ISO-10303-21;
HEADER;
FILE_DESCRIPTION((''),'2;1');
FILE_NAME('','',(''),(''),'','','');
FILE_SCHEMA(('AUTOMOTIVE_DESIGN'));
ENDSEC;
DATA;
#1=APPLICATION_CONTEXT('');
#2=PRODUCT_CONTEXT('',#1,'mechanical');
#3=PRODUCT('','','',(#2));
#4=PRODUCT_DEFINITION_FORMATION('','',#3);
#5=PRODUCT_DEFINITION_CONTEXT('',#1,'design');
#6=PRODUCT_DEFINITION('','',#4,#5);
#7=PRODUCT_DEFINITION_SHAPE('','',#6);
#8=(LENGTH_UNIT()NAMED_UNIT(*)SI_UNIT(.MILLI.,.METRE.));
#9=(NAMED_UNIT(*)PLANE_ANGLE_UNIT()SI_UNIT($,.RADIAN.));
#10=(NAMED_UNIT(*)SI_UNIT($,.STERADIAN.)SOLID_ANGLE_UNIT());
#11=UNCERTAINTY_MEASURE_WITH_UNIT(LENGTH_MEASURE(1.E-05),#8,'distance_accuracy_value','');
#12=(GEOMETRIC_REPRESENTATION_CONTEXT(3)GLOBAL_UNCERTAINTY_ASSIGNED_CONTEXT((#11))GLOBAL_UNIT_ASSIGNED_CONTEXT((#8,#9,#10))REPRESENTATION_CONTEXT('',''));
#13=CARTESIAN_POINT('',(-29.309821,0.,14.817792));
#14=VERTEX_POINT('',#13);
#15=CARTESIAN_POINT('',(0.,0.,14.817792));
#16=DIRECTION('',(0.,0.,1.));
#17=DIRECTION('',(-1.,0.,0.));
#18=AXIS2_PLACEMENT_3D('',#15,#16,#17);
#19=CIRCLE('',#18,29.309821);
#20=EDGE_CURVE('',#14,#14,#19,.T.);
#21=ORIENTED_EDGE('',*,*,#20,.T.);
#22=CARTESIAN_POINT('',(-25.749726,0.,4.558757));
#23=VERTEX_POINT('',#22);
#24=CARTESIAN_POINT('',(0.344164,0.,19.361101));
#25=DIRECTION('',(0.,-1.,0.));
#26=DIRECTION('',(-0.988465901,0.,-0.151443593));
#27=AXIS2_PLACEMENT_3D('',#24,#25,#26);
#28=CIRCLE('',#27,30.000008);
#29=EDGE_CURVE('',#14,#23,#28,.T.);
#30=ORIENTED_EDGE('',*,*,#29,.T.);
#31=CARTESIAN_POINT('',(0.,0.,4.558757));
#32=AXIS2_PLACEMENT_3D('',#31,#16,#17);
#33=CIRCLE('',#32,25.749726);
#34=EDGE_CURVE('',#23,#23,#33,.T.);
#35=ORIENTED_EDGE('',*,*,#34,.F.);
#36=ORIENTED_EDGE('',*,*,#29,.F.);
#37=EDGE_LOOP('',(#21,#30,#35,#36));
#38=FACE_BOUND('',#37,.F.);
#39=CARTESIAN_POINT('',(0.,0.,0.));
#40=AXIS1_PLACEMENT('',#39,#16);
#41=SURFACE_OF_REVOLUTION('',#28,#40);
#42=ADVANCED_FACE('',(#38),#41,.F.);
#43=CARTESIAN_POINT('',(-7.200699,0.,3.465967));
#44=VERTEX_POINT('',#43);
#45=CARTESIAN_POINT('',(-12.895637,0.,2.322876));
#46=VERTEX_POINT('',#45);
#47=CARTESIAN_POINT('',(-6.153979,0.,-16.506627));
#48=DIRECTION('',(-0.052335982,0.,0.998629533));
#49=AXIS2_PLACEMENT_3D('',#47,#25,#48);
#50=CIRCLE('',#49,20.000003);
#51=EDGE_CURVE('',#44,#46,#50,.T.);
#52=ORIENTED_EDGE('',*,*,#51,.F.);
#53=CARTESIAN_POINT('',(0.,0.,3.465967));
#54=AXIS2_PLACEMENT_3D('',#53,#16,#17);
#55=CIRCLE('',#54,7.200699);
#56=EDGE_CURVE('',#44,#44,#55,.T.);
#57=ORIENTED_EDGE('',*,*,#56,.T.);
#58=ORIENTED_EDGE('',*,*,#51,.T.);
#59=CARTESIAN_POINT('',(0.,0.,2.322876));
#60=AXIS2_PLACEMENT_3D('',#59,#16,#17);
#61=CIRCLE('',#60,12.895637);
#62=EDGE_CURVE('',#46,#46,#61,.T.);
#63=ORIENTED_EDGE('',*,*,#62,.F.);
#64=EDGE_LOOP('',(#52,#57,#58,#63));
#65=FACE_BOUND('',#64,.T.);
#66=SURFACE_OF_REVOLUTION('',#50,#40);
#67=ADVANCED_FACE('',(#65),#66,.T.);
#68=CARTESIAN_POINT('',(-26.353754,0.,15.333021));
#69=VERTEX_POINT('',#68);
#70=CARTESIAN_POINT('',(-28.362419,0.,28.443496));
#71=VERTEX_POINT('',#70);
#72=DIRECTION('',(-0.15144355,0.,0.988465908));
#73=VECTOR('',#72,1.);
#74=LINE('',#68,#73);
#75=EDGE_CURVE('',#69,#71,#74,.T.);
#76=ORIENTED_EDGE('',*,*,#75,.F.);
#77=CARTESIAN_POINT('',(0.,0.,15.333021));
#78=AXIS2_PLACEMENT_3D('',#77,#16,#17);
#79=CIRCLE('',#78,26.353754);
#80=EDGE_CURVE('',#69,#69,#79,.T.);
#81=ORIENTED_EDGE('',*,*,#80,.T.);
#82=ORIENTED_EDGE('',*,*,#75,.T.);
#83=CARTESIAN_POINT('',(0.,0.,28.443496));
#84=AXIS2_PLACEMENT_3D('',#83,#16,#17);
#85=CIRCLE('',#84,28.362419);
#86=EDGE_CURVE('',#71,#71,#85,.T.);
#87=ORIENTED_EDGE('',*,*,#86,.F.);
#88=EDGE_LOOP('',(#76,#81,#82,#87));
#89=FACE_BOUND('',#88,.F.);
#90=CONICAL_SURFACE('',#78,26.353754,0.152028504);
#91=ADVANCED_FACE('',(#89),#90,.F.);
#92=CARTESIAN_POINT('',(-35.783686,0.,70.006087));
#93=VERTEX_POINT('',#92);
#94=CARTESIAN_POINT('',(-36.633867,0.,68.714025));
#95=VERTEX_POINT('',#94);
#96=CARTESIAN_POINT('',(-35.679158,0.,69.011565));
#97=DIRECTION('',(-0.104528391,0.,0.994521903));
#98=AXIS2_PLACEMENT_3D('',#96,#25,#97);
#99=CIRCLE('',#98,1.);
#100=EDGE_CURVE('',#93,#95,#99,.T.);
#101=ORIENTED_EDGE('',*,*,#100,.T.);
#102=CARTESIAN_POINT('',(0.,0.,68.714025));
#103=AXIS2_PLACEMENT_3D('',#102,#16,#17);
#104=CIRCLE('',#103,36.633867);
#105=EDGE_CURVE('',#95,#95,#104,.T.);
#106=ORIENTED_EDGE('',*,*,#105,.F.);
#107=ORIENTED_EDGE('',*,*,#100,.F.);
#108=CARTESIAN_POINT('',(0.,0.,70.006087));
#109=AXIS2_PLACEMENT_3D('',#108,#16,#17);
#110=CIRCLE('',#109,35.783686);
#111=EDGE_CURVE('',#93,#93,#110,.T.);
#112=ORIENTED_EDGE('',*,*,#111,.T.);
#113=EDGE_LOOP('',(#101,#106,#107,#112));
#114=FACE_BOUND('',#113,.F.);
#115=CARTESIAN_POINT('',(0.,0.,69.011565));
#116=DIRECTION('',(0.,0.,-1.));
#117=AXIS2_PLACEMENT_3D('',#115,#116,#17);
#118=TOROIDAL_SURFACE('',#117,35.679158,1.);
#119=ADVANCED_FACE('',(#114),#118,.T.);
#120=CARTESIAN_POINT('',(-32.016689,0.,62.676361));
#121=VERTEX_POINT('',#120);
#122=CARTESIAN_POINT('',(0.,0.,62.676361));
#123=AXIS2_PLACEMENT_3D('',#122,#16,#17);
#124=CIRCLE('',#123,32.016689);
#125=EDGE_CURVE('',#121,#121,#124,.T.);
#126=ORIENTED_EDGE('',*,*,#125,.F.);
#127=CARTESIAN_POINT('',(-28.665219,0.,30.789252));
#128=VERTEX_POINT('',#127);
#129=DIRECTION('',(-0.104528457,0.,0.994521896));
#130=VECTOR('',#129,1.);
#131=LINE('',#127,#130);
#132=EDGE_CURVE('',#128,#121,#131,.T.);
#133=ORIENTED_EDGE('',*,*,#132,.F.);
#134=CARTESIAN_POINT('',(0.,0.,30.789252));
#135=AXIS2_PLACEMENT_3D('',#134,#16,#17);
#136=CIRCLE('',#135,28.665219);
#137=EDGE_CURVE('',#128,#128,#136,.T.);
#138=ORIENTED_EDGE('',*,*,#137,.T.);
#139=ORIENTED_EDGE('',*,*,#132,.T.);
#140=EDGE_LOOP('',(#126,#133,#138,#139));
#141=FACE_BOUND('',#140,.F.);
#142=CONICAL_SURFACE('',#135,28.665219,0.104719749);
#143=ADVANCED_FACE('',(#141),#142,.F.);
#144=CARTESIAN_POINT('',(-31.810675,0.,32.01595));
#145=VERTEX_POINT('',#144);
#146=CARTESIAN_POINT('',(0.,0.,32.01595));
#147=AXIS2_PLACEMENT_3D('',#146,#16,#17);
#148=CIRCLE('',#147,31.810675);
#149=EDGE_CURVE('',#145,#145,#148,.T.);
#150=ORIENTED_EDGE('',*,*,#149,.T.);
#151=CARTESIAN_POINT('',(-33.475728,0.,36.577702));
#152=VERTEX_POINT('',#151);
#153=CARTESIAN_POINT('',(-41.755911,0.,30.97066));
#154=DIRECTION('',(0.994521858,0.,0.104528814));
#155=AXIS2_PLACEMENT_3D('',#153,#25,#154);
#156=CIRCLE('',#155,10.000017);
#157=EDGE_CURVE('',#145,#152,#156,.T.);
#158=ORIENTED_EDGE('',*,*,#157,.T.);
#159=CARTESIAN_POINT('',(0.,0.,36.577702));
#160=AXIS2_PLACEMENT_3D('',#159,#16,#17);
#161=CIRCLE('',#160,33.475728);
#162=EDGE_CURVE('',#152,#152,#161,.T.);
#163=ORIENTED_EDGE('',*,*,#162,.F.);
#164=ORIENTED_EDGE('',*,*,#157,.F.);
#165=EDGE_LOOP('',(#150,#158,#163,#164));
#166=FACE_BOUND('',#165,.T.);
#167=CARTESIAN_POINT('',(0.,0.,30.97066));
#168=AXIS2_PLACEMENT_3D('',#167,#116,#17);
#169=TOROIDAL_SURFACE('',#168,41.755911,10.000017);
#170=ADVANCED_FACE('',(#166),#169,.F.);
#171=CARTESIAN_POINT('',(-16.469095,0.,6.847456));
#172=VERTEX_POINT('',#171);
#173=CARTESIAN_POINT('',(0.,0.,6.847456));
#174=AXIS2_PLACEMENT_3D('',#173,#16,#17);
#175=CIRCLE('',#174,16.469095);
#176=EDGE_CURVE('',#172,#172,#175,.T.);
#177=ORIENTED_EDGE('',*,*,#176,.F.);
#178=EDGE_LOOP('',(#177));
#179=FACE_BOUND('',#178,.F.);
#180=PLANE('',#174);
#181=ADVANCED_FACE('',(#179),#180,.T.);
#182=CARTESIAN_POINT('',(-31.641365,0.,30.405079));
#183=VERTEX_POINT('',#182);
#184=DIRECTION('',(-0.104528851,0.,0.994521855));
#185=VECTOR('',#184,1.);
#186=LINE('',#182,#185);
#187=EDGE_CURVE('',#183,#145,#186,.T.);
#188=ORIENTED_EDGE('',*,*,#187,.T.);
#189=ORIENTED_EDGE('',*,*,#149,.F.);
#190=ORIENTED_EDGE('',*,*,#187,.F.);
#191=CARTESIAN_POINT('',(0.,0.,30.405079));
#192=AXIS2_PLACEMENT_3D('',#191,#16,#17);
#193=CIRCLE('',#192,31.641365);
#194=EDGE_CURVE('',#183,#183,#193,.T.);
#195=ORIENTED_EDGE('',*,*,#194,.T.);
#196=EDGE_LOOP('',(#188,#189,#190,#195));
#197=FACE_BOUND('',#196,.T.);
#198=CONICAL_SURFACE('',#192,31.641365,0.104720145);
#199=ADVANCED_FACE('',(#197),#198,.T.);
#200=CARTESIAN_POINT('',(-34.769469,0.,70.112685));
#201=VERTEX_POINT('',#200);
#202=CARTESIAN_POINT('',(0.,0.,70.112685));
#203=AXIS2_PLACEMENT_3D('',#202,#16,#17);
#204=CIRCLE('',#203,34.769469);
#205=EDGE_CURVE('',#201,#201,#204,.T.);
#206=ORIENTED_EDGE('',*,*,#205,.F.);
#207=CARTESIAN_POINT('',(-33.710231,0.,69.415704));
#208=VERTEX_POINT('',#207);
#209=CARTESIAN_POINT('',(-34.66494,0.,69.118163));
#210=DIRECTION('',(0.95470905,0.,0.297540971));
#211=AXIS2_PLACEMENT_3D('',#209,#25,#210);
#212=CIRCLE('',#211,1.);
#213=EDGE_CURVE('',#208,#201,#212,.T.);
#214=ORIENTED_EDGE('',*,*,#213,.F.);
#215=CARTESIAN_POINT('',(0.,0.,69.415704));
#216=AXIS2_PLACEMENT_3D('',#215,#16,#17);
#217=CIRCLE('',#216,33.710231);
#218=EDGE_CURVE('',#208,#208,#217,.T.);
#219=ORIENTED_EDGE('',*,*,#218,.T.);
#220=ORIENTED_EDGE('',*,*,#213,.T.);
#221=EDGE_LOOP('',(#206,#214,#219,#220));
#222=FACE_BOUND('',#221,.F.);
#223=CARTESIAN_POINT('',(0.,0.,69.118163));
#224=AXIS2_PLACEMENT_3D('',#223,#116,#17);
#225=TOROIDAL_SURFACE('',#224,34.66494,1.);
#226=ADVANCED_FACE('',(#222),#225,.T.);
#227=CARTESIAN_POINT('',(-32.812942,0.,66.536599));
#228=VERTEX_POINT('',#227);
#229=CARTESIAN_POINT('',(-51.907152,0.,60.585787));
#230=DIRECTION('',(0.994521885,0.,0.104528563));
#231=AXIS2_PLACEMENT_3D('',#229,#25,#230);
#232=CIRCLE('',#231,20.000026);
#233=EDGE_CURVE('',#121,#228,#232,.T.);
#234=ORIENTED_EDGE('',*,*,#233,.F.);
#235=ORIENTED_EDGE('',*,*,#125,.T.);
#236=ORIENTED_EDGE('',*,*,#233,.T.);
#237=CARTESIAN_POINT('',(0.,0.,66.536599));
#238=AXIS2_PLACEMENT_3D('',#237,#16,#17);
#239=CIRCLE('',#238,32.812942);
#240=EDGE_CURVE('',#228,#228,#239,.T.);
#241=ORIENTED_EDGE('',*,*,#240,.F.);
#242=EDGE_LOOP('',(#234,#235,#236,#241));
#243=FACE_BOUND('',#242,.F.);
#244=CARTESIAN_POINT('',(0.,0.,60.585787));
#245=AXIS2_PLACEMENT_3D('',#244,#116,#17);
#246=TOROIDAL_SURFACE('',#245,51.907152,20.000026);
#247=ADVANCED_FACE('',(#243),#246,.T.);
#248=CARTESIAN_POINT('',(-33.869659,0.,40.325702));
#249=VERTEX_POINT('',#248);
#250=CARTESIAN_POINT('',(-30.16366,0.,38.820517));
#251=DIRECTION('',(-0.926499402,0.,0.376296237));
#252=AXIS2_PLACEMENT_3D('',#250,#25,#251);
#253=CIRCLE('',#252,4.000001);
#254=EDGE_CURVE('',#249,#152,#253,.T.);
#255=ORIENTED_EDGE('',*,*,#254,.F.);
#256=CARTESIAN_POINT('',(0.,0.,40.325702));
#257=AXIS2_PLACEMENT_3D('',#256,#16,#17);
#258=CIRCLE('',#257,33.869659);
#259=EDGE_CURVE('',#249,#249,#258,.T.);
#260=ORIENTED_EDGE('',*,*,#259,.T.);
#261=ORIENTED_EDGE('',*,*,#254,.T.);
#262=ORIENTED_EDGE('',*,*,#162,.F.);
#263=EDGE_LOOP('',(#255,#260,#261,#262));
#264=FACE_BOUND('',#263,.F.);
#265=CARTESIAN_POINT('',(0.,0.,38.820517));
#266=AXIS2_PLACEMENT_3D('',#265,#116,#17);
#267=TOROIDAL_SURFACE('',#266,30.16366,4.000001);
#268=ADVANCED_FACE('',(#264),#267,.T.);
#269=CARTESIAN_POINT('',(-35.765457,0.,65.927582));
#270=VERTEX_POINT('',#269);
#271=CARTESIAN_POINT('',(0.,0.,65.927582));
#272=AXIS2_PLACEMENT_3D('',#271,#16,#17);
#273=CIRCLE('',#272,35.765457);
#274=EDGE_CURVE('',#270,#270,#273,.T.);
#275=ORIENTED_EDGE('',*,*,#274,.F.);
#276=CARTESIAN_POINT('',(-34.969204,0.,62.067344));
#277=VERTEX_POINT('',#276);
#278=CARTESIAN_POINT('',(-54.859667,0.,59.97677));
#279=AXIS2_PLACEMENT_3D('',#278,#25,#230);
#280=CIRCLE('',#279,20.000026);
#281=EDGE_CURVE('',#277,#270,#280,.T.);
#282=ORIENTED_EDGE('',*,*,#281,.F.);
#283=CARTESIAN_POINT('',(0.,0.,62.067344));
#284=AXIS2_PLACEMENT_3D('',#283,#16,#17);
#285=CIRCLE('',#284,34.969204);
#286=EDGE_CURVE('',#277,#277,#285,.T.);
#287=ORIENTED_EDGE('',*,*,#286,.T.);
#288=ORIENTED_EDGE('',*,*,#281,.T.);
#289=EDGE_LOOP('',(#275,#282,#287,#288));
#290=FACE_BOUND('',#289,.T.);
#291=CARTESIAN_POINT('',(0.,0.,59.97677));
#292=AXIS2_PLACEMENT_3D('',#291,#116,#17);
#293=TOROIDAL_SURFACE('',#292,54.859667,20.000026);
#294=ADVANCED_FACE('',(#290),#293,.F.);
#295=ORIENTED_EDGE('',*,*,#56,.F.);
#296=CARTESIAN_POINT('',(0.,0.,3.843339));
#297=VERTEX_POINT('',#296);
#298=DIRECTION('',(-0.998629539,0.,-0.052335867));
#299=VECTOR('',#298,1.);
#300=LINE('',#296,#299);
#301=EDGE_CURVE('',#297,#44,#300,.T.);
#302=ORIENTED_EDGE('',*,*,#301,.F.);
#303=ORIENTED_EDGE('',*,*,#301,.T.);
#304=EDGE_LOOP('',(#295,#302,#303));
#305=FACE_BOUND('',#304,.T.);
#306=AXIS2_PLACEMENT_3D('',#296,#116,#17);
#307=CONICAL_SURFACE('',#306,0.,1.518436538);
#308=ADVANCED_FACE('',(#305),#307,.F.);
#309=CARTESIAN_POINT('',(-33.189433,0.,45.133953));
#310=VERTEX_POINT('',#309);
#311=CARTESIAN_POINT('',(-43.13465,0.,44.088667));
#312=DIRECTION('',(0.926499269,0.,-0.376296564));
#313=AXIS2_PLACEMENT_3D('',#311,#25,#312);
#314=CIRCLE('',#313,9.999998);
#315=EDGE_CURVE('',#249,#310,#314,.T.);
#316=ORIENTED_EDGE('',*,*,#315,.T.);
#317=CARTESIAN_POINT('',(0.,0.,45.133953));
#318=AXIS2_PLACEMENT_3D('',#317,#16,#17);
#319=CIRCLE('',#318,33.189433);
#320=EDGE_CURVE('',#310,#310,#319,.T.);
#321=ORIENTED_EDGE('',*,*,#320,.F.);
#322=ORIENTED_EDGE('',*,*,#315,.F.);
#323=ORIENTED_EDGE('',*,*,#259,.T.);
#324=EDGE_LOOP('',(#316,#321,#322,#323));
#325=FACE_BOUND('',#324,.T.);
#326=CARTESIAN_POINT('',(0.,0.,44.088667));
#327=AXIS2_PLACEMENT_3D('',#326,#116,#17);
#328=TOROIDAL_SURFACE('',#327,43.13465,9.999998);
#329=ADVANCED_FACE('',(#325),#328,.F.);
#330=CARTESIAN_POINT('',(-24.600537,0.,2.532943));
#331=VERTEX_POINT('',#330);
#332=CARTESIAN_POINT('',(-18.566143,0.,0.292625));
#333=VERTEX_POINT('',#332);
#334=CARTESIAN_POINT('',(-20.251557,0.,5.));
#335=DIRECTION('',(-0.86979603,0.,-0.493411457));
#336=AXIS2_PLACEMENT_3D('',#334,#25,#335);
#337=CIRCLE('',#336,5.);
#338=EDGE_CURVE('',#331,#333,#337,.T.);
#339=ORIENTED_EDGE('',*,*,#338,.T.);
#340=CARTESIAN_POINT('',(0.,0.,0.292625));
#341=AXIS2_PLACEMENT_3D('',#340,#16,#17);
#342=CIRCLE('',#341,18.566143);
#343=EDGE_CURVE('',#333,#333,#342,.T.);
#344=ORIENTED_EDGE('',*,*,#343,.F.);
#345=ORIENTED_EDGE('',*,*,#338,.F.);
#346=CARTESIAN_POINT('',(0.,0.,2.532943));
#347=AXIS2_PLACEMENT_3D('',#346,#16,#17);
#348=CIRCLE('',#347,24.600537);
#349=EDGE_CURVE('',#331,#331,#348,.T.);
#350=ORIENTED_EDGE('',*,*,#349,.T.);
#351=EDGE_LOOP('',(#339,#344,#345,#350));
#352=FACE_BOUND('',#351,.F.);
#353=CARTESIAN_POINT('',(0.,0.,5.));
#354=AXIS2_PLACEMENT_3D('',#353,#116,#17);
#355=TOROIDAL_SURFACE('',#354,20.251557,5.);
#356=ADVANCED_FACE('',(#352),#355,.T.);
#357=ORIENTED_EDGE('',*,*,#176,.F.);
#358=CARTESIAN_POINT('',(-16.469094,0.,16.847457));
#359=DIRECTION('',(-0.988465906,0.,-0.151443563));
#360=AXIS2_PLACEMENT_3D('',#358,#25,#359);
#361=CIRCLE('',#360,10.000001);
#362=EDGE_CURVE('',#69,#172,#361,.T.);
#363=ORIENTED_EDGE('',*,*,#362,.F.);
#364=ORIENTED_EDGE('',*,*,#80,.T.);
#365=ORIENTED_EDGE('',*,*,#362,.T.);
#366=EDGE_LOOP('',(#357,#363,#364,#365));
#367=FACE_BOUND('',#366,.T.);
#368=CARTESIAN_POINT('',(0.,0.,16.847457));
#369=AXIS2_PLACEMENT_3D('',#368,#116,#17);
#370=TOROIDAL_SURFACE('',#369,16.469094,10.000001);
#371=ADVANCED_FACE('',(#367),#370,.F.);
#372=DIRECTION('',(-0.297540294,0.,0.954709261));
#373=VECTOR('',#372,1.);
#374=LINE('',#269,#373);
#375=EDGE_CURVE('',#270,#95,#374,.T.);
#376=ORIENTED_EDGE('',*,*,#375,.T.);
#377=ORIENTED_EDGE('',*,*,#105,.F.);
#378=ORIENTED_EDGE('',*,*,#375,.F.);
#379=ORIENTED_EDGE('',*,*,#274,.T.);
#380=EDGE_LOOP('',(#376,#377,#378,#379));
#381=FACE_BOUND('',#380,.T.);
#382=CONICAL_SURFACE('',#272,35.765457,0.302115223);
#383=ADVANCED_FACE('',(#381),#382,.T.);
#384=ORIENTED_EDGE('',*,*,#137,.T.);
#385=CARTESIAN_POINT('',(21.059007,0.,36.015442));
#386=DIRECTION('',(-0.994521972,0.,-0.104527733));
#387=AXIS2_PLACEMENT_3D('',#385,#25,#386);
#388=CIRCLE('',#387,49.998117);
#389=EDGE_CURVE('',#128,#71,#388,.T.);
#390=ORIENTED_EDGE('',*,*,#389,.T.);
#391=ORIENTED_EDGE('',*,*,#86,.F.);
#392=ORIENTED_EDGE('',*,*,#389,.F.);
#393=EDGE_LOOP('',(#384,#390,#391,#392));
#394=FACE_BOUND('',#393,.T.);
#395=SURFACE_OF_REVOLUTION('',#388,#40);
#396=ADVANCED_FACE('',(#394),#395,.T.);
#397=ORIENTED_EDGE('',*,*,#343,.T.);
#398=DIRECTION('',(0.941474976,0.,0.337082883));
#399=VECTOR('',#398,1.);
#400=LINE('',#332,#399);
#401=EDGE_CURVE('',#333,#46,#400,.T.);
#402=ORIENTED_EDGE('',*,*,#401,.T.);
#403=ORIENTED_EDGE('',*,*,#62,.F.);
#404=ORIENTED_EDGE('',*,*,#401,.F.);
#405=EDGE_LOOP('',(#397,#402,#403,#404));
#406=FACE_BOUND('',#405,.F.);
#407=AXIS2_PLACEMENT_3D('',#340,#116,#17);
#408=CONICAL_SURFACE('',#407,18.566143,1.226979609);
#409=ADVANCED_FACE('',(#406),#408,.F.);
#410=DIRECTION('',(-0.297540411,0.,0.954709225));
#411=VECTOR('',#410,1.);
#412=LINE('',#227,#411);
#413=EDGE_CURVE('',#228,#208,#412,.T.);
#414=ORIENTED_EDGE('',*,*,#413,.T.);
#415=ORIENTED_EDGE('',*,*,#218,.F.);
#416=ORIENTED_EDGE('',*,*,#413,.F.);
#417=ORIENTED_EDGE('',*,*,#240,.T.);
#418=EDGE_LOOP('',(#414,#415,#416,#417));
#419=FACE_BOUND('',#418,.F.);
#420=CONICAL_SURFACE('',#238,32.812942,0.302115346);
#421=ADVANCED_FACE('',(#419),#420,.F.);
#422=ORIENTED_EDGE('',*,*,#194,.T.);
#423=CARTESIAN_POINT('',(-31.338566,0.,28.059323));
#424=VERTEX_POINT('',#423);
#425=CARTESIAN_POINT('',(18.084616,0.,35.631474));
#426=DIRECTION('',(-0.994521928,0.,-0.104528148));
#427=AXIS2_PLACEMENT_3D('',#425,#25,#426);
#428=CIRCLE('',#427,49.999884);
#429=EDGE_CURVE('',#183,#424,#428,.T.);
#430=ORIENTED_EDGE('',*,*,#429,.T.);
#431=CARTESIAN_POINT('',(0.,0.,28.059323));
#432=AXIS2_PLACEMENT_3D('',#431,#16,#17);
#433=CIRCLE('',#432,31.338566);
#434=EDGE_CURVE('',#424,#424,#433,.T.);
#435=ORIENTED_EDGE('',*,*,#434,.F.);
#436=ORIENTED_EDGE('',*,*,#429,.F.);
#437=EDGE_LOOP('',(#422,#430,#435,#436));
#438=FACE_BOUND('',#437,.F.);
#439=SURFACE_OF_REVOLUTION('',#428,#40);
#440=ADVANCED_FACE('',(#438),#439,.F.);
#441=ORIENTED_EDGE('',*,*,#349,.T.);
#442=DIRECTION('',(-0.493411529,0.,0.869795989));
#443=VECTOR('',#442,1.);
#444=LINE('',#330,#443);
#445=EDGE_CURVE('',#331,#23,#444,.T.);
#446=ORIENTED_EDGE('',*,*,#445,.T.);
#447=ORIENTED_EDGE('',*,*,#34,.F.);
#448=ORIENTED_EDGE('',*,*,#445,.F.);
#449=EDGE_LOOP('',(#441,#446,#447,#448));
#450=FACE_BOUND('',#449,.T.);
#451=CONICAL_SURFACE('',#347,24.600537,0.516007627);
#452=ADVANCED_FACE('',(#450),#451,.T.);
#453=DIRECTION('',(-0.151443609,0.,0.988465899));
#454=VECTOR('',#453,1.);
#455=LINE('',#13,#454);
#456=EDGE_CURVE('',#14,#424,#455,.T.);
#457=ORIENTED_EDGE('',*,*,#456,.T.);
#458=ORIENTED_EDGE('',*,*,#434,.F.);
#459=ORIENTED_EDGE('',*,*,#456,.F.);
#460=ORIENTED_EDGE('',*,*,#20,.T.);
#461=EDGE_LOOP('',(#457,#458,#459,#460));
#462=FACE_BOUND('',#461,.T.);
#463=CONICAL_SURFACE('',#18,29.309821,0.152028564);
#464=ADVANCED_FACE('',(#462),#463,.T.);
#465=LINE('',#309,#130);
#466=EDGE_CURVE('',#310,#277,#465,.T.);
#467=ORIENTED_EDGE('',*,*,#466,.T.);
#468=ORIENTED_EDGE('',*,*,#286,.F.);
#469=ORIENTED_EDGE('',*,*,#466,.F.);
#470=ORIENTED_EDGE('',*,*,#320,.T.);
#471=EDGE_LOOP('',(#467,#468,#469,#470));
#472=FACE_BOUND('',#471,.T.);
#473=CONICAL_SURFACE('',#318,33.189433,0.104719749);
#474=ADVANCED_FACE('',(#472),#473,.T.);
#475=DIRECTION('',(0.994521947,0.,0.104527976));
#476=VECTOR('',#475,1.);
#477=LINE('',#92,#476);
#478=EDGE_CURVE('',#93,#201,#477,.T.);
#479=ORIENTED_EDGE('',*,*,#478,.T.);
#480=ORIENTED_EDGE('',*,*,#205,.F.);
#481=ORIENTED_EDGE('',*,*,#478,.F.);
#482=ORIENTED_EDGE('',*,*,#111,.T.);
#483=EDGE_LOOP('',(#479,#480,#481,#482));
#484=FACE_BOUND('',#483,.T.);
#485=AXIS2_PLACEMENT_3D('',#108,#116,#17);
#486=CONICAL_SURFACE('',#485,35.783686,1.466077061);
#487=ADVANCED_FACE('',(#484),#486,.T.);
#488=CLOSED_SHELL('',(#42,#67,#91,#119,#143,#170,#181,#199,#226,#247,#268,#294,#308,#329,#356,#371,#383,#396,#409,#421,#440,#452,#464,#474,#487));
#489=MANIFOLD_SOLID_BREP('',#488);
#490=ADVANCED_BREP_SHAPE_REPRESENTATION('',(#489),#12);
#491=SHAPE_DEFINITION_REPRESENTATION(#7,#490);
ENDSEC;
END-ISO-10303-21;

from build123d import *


with BuildPart() as part:
    # Sketch → Revolution (revolve)
    with BuildSketch(Plane.XZ):
        with BuildLine():
            ThreePointArc((-7.200699, 3.465967), (-10.089887, 3.102268), (-12.895637, 2.322876))
            Line((-18.566143, 0.292625), (-12.895637, 2.322876))
            ThreePointArc((-24.600537, 2.532943), (-21.991787, 0.312613), (-18.566143, 0.292625))
            Line((-24.600537, 2.532943), (-25.749726, 4.558757))
            ThreePointArc((-29.309821, 14.817792), (-27.997825, 9.525851), (-25.749726, 4.558757))
            Line((-29.309821, 14.817792), (-31.338566, 28.059323))
            ThreePointArc((-31.641365, 30.405079), (-31.503838, 29.23041), (-31.338566, 28.059323))
            Line((-31.641365, 30.405079), (-31.810675, 32.01595))
            ThreePointArc((-31.810675, 32.01595), (-32.36209, 34.399432), (-33.475728, 36.577702))
            ThreePointArc((-33.869659, 40.325702), (-34.141749, 38.402402), (-33.475728, 36.577702))
            ThreePointArc((-33.869659, 40.325702), (-33.233244, 42.687909), (-33.189433, 45.133953))
            Line((-33.189433, 45.133953), (-34.969204, 62.067344))
            ThreePointArc((-34.969204, 62.067344), (-35.272004, 64.017126), (-35.765457, 65.927582))
            Line((-35.765457, 65.927582), (-36.633867, 68.714025))
            ThreePointArc((-35.783686, 70.006087), (-36.514533, 69.561245), (-36.633867, 68.714025))
            Line((-35.783686, 70.006087), (-34.769469, 70.112685))
            ThreePointArc((-33.710231, 69.415704), (-34.115261, 69.953539), (-34.769469, 70.112685))
            Line((-32.812942, 66.536599), (-33.710231, 69.415704))
            ThreePointArc((-32.016689, 62.676361), (-32.319489, 64.626143), (-32.812942, 66.536599))
            Line((-28.665219, 30.789252), (-32.016689, 62.676361))
            ThreePointArc((-28.665219, 30.789252), (-28.527692, 29.614583), (-28.362419, 28.443496))
            Line((-26.353754, 15.333021), (-28.362419, 28.443496))
            ThreePointArc((-26.353754, 15.333021), (-22.982759, 9.259823), (-16.469095, 6.847456))
            Line((0, 6.847456), (-16.469095, 6.847456))
            Line((0, 6.847456), (0, 3.843339))
            Line((0, 3.843339), (-7.200699, 3.465967))
        make_face()
    revolve(axis=Axis((0, 0, 0), (0, 0, 1)))


solid = part.part
